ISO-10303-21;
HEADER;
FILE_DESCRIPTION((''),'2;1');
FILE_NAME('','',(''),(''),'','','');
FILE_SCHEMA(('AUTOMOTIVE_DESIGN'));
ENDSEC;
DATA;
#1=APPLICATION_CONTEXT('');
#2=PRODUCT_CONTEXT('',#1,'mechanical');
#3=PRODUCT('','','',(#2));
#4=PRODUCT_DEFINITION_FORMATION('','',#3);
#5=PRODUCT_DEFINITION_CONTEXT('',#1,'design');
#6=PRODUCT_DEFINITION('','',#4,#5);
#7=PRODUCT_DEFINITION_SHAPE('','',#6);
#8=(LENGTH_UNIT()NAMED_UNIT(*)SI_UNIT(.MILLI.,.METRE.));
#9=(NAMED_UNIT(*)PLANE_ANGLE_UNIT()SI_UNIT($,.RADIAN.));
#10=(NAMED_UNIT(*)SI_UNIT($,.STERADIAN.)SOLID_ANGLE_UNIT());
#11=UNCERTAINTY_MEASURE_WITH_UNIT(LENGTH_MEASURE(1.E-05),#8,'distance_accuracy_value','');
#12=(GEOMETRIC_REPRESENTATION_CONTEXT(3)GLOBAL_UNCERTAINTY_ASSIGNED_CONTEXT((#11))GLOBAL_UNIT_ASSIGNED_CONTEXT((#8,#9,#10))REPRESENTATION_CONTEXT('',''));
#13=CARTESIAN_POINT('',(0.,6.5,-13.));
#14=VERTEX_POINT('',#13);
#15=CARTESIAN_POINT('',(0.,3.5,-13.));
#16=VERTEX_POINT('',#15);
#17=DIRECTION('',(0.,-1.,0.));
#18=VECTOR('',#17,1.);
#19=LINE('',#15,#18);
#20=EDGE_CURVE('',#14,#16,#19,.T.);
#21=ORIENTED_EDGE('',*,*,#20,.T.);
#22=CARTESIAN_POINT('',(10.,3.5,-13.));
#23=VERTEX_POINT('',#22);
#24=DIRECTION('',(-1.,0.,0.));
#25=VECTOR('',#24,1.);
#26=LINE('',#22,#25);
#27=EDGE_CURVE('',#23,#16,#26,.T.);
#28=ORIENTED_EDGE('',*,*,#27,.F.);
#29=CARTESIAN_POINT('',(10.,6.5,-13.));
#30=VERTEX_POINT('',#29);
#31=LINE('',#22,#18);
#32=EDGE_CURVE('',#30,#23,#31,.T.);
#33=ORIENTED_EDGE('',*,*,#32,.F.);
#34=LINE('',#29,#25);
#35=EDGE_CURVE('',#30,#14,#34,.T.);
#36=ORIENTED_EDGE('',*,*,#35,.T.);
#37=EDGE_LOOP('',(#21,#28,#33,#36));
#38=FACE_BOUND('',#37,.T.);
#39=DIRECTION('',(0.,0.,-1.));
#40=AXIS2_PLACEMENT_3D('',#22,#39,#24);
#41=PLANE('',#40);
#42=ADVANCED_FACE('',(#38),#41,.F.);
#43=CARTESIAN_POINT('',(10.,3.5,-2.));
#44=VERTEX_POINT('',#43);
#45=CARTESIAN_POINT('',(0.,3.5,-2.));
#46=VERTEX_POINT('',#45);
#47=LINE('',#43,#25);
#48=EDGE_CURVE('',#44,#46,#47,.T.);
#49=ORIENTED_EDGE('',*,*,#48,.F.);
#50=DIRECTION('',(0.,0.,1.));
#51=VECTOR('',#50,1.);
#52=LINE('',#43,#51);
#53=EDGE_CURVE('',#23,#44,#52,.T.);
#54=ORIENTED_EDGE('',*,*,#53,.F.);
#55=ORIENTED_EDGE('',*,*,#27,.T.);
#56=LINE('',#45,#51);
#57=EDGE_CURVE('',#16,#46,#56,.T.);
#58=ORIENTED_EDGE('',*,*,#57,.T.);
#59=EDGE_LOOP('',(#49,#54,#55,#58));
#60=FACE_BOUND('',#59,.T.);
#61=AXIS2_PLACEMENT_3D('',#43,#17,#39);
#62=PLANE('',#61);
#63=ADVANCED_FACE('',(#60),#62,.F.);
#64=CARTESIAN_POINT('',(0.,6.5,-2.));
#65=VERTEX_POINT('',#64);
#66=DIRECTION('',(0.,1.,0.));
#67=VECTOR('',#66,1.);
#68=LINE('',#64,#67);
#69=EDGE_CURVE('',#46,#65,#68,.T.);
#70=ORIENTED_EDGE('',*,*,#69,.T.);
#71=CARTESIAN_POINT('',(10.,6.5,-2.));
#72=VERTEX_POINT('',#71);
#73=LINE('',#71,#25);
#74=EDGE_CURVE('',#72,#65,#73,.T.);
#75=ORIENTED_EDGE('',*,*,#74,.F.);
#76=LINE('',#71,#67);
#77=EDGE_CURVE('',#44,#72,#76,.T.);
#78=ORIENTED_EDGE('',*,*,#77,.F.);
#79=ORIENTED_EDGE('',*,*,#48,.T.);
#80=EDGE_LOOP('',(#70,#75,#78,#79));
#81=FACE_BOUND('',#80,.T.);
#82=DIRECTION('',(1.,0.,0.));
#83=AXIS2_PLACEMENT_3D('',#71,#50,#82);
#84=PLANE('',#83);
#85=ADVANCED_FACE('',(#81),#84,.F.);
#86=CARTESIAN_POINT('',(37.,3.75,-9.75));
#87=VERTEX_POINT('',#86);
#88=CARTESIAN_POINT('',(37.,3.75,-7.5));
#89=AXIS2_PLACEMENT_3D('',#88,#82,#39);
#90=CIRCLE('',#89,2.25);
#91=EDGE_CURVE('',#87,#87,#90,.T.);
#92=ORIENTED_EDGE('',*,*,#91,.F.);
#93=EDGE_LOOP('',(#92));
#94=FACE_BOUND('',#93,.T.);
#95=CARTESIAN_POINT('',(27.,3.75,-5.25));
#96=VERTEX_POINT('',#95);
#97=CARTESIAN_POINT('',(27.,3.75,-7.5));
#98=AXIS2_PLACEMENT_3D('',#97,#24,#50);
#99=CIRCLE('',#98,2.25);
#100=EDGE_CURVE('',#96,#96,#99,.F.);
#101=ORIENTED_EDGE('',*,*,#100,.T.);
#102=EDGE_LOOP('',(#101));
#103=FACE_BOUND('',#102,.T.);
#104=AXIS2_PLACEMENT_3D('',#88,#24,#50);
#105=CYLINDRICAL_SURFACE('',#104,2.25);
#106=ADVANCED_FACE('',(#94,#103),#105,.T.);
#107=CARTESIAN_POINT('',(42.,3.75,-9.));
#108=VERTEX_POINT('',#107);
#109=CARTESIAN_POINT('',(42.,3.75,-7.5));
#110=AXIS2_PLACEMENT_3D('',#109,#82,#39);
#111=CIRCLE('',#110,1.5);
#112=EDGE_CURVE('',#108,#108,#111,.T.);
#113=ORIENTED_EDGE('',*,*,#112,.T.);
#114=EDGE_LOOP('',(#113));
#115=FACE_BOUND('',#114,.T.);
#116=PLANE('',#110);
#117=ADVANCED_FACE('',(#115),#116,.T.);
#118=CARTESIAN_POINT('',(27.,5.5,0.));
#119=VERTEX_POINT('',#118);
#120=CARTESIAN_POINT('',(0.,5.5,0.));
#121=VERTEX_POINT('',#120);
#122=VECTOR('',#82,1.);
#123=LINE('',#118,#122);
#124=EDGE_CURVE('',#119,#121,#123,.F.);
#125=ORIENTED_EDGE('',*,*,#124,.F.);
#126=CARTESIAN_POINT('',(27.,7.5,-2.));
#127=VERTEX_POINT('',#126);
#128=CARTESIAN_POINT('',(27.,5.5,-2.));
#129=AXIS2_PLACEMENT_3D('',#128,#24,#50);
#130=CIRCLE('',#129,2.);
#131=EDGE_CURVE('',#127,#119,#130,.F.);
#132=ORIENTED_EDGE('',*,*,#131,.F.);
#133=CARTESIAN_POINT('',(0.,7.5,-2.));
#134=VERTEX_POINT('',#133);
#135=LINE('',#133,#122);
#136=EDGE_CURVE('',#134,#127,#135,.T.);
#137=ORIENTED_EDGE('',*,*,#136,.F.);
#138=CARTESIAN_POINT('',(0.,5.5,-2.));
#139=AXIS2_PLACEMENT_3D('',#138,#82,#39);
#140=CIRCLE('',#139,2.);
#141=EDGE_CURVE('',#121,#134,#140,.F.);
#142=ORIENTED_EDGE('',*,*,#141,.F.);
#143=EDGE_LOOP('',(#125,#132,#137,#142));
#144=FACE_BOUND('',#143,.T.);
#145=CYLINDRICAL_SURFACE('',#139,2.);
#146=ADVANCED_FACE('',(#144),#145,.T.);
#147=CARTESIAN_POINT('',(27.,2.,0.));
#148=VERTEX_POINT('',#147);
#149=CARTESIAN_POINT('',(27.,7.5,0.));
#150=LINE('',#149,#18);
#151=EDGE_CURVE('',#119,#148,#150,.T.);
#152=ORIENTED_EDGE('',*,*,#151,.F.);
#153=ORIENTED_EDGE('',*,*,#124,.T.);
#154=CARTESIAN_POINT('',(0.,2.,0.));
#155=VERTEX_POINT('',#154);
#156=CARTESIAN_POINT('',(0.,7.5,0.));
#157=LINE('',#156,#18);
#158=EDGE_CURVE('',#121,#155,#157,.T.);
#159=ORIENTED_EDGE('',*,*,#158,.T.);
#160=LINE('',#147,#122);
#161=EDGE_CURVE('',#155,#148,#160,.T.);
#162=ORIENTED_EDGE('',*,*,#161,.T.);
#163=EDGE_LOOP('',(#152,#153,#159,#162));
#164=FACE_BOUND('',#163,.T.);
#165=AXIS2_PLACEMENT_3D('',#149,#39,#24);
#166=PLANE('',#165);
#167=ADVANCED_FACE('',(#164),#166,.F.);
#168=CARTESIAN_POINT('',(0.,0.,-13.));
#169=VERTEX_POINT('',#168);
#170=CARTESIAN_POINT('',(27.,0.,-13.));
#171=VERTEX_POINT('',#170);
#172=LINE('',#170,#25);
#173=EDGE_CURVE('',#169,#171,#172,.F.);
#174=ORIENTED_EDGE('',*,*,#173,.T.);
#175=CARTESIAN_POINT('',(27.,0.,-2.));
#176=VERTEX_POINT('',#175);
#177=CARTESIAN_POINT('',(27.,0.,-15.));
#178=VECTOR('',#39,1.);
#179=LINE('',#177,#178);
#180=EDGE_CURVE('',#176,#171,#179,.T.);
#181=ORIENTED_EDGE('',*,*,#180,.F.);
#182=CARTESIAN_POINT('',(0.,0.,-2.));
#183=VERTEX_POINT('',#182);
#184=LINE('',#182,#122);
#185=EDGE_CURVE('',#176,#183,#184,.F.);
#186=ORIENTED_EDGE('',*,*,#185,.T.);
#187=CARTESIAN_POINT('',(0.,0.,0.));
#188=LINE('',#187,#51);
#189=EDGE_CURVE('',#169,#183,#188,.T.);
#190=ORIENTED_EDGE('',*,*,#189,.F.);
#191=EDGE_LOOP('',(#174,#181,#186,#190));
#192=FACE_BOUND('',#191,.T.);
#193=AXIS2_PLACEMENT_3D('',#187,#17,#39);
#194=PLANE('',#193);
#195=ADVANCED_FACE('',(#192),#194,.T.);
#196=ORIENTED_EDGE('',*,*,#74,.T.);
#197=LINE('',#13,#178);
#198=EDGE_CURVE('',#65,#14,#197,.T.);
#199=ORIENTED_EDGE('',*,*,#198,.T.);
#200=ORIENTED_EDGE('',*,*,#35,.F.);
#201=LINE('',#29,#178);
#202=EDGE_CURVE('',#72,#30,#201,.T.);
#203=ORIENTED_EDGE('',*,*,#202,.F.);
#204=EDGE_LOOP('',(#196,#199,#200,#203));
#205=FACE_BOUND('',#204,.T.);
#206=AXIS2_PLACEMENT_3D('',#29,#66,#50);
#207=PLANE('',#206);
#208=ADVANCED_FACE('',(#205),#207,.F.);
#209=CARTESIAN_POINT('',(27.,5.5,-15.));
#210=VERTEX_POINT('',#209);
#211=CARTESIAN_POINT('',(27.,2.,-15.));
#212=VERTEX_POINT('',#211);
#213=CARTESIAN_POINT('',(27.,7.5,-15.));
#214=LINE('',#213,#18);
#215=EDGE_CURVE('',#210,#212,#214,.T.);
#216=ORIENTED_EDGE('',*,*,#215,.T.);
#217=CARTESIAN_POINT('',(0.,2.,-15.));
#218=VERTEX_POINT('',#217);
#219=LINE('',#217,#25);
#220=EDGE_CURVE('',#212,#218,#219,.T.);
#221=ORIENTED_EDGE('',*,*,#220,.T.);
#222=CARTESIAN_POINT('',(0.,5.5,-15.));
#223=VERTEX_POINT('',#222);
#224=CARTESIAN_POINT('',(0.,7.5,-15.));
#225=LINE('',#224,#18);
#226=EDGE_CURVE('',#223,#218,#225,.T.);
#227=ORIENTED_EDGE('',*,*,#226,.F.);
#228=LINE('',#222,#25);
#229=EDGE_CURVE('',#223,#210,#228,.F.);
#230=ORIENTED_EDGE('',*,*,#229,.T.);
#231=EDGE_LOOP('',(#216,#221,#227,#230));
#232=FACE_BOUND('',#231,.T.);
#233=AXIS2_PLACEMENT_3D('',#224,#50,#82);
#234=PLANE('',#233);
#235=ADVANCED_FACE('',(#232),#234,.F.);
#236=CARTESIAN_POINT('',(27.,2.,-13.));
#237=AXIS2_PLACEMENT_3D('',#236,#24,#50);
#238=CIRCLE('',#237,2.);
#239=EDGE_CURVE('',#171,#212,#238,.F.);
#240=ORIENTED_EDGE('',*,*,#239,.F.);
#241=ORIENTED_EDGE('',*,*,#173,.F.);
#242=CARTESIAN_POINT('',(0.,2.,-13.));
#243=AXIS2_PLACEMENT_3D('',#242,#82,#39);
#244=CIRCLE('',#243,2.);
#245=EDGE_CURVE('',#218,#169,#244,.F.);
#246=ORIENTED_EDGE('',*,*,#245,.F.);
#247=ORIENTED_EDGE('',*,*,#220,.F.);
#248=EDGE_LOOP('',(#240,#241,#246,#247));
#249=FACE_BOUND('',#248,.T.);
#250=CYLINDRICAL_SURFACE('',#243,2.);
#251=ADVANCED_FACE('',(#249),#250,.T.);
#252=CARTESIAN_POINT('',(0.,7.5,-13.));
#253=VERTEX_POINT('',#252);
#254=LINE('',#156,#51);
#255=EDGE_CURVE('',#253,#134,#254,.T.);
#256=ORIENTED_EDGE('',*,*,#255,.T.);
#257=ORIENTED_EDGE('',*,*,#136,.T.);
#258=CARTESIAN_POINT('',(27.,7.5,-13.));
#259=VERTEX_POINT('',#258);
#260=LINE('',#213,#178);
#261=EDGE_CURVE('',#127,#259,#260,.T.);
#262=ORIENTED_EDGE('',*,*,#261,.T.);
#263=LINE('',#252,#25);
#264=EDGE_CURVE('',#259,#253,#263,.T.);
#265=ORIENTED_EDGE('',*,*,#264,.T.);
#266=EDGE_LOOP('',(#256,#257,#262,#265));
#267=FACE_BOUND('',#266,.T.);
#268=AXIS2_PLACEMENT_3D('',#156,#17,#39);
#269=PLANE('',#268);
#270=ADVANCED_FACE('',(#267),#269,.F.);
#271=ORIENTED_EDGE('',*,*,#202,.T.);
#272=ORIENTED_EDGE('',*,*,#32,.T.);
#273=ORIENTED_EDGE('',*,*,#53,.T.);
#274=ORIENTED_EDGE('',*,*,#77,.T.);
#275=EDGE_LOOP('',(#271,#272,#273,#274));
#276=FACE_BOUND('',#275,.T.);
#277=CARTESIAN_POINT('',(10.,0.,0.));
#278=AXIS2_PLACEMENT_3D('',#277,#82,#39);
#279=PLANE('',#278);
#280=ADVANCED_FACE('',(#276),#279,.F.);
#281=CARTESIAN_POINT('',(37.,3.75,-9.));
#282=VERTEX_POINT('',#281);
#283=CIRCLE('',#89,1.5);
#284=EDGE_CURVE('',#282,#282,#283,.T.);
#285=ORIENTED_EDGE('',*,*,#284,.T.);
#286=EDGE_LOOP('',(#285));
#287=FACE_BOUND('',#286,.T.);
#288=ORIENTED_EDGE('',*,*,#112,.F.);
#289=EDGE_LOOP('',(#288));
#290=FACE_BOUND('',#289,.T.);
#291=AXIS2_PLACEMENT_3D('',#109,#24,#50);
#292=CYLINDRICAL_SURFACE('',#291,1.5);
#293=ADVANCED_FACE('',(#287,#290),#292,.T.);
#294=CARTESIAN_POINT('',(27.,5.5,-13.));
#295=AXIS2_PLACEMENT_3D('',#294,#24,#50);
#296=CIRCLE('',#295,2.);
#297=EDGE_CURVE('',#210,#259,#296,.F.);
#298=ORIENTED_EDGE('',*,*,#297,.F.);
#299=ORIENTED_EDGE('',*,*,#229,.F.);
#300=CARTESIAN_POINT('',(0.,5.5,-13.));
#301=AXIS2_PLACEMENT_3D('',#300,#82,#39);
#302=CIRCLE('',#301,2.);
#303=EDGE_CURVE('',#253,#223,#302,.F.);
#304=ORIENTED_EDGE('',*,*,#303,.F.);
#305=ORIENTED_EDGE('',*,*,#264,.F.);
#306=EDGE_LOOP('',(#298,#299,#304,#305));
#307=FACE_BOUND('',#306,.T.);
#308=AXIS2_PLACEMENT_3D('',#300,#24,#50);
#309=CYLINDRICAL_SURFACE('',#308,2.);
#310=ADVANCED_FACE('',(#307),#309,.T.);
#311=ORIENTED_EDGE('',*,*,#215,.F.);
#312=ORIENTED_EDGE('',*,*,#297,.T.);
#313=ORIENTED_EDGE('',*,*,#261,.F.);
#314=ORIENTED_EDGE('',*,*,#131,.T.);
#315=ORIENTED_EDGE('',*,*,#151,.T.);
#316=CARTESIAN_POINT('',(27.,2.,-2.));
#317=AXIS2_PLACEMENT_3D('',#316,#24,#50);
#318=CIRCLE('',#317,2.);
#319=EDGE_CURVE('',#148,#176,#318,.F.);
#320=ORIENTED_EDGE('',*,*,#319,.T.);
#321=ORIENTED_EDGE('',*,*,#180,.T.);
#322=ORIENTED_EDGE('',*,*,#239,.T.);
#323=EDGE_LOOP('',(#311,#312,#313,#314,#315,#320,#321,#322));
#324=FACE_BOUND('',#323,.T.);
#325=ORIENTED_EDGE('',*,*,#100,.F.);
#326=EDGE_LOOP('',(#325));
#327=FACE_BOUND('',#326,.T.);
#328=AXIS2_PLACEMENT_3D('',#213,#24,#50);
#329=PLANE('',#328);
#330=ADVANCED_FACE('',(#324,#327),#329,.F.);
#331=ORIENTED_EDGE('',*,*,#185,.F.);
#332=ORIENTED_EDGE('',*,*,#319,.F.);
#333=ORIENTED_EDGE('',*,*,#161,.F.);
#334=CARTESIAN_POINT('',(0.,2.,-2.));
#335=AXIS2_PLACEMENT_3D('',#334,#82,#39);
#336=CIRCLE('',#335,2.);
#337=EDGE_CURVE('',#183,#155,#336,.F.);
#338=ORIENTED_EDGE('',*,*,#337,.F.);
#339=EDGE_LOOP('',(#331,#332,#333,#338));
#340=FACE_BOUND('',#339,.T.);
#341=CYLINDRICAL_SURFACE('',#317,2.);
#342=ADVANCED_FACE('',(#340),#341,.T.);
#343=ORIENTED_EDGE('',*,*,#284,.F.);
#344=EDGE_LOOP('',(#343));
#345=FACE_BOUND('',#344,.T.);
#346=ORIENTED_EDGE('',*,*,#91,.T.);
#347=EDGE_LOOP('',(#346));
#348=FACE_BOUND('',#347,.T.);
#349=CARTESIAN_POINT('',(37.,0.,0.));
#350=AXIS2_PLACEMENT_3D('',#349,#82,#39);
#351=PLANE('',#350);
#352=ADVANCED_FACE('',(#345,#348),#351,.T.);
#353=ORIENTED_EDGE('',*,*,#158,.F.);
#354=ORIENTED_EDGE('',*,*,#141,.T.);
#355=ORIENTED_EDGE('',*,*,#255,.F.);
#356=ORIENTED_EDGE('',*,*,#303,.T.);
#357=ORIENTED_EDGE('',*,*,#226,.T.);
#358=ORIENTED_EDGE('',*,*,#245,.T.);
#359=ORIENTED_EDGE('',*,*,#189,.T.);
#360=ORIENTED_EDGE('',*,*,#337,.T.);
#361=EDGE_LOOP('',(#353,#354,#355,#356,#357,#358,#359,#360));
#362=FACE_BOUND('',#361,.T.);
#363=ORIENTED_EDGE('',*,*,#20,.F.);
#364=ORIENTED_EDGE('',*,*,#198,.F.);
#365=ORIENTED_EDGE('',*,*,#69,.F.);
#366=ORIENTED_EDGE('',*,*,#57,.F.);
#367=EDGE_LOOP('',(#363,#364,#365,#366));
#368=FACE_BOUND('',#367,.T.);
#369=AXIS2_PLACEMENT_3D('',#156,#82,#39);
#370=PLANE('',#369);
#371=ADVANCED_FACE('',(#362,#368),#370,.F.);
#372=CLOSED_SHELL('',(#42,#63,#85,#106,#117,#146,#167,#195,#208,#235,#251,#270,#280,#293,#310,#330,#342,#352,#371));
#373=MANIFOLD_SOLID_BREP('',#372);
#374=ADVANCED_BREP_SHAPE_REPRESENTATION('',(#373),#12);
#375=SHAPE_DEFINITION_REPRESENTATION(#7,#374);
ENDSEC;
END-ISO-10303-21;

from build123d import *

# Parameters (mm, degrees)
SKETCH_1_W          = 27
SKETCH_1_H          = 15
EXTRUDE_1_DEPTH     = 7.5
SKETCH_2_R          = 2.25
EXTRUDE_2_DEPTH     = 10
SKETCH_3_R          = 1.5
EXTRUDE_3_DEPTH     = 5
FILLET_1_R          = 2
SKETCH_4_W          = 11
SKETCH_4_H          = 3
CUT_EXTRUDE_1_DEPTH = 10


with BuildPart() as part:
    # Эскиз1 → Бобышка-Вытянуть1 (new body)
    with BuildSketch(Plane(origin=(0, 0, 0), x_dir=(1, 0, 0), z_dir=(0, 1, 0))):
        with Locations((13.5, 7.5)):
            Rectangle(SKETCH_1_W, SKETCH_1_H)
    extrude(amount=EXTRUDE_1_DEPTH)

    # Эскиз2 → Бобышка-Вытянуть2 (add)
    with BuildSketch(Plane(origin=(27, 0, 0), x_dir=(0, 0, -1), z_dir=(1, 0, 0))):
        with Locations(Location((7.5, 3.75, 0), (0, 0, 180))):
            Circle(SKETCH_2_R)
    extrude(amount=EXTRUDE_2_DEPTH)

    # Эскиз3 → Бобышка-Вытянуть3 (add)
    with BuildSketch(Plane(origin=(37, 0, 0), x_dir=(0, 0, -1), z_dir=(1, 0, 0))):
        with Locations((7.5, 3.75)):
            Circle(SKETCH_3_R)
    extrude(amount=EXTRUDE_3_DEPTH)

    # Скругление1
    fillet_1_edges = [part.edges().sort_by_distance(p)[0] for p in [
        (13.5, 7.5, -15),
        (13.5, 7.5, 0),
        (13.5, 0, -15),
        (13.5, 0, 0),
    ]]
    fillet(fillet_1_edges, radius=FILLET_1_R)

    # Эскиз4 → Вырез-Вытянуть1 (cut)
    with BuildSketch(Plane.ZY):
        with Locations((-7.5, 5)):
            Rectangle(SKETCH_4_W, SKETCH_4_H)
    extrude(amount=-CUT_EXTRUDE_1_DEPTH, mode=Mode.SUBTRACT)


solid = part.part
